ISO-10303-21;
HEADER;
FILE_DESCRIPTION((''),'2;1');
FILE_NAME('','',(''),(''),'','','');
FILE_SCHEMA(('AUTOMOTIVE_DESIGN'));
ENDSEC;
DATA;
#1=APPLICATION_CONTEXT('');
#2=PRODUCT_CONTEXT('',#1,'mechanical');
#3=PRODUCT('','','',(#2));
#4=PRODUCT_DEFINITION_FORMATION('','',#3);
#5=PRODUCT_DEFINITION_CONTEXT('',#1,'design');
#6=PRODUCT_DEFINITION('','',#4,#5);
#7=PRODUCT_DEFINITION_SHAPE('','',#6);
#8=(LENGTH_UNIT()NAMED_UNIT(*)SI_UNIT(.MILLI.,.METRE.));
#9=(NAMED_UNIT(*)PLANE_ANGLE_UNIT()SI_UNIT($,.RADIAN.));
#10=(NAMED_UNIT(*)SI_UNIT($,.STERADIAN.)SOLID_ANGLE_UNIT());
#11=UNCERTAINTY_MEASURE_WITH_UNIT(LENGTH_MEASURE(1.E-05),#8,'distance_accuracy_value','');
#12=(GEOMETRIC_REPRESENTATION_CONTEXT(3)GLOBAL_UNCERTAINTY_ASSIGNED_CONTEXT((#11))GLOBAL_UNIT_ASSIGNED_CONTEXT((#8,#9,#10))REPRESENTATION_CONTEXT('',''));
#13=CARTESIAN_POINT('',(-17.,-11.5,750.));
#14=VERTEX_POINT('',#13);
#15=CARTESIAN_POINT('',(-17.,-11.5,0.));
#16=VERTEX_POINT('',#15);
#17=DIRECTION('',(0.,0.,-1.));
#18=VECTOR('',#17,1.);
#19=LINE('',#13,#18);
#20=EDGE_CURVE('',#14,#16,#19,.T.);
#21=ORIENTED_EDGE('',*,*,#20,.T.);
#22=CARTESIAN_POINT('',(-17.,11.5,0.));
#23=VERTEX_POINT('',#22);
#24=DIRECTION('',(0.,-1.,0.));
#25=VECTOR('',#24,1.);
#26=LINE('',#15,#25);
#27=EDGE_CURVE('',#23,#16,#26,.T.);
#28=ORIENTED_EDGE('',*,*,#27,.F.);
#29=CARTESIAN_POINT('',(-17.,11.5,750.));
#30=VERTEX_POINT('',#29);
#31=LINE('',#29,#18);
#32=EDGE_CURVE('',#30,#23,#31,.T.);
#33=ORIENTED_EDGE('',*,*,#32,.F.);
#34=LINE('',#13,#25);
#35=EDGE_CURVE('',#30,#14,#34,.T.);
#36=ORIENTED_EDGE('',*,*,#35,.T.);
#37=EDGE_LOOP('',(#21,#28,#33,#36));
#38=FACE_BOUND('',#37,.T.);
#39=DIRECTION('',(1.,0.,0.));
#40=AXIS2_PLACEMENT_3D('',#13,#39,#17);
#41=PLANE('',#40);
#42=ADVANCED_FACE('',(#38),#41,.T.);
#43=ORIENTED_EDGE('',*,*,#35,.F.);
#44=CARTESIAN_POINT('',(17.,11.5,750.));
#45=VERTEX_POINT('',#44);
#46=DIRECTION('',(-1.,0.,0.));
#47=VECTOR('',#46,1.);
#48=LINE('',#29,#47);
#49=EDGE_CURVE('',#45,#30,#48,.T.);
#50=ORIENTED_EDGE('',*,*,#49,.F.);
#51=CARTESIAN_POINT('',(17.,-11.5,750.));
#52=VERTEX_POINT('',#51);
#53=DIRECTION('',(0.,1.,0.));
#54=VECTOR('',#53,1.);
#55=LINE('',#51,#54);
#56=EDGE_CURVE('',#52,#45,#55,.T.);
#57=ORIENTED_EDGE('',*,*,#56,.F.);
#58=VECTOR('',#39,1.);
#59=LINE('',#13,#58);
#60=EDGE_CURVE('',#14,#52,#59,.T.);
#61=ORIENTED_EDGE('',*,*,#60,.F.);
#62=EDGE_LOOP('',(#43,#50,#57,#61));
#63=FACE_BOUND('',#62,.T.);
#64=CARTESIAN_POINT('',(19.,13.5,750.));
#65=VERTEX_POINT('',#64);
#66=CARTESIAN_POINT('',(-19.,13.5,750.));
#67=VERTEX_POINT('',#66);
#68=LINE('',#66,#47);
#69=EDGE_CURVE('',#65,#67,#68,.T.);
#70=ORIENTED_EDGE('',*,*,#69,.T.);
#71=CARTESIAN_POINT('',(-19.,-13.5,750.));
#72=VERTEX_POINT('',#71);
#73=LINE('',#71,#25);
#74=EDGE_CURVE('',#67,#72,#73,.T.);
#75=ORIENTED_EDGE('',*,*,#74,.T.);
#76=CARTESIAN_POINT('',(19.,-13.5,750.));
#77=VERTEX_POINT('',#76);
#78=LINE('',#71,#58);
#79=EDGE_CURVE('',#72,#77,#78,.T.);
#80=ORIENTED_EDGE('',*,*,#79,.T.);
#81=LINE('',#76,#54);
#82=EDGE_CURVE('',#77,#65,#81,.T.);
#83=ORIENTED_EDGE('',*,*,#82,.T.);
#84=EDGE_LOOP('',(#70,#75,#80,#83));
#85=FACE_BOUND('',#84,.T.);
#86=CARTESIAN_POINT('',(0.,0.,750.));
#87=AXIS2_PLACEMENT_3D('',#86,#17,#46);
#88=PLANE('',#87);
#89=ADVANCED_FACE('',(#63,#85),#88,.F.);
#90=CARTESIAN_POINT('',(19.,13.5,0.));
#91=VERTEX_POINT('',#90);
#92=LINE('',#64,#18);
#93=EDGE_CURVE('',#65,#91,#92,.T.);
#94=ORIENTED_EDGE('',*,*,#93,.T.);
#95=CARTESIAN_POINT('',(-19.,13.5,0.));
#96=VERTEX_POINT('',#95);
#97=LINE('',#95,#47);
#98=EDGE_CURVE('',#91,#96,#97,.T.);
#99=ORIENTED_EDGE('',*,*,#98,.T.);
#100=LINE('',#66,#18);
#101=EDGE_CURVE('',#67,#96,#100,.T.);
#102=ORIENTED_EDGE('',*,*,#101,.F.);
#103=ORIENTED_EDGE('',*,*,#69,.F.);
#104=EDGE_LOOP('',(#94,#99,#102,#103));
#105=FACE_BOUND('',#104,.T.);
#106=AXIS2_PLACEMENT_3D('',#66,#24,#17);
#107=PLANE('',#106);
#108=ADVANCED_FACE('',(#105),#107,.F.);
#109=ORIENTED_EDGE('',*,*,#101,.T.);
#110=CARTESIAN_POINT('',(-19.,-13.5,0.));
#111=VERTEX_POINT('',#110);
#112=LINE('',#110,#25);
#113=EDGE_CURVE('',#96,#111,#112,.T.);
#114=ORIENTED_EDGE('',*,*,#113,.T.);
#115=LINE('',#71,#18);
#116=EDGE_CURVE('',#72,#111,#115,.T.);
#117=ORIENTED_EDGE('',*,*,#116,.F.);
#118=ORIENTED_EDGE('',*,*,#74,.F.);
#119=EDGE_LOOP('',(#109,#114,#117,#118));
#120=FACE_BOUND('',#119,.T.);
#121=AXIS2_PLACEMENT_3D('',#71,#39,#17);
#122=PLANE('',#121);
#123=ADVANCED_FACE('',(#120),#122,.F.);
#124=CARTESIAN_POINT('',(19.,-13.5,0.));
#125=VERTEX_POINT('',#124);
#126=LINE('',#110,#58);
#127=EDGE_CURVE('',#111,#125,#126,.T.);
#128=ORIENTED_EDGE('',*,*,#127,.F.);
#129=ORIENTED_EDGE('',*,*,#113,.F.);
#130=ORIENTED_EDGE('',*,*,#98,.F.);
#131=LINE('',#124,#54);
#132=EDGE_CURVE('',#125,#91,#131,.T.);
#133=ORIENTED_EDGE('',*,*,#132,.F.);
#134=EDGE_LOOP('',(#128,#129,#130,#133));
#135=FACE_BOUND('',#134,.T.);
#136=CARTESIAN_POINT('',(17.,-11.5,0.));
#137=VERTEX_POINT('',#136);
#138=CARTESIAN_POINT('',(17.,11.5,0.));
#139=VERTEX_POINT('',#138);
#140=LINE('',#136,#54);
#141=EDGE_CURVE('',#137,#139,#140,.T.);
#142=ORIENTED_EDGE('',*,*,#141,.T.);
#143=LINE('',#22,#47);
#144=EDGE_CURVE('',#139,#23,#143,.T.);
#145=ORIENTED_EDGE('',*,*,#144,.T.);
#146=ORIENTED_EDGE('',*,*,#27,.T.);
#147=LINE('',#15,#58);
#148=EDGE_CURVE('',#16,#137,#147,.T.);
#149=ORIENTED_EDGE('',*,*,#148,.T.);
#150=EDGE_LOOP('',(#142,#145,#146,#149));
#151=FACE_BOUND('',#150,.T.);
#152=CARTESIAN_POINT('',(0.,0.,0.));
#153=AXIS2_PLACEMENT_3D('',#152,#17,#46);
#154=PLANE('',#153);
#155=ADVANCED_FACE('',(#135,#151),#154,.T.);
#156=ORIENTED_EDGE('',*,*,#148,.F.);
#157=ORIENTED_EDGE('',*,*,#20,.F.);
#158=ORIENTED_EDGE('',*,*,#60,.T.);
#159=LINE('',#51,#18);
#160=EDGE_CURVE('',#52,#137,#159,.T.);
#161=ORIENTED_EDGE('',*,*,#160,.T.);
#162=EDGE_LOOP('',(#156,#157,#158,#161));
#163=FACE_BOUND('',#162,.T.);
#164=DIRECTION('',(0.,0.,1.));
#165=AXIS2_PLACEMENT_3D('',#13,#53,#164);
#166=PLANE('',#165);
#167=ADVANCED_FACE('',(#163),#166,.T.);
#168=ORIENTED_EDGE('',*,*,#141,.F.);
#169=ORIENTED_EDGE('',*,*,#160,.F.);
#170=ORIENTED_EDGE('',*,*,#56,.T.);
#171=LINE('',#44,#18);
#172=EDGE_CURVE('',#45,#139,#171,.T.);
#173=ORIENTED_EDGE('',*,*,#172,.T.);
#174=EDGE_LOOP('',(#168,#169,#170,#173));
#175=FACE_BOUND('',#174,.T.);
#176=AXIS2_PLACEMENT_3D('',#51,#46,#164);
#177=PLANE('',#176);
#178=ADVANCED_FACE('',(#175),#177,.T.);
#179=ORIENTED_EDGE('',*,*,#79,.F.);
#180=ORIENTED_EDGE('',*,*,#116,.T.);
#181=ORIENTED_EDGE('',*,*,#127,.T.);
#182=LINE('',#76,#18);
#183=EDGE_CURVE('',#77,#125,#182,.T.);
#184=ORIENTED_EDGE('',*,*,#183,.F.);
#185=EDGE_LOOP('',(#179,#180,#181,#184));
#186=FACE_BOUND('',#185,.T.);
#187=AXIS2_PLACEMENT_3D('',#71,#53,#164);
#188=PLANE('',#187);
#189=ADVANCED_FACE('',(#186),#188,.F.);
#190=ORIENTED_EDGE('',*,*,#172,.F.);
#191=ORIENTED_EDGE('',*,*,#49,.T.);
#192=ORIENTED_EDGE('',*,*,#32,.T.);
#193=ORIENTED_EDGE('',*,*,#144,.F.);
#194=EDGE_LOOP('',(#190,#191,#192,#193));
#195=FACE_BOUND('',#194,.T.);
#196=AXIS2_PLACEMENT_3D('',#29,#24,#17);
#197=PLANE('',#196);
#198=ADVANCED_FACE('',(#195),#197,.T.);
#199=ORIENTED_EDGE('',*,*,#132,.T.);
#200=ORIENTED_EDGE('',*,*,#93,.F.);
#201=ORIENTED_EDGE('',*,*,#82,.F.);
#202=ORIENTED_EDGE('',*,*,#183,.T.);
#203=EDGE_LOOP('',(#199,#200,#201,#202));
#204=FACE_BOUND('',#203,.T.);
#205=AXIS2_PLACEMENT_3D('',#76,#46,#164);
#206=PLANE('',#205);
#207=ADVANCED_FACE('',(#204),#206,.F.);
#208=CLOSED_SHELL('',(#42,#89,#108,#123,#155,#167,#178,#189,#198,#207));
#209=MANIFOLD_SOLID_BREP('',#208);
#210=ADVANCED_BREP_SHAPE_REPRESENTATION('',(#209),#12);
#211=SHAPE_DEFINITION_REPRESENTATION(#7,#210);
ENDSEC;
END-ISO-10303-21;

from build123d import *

# Parameters (mm, degrees)
SKETCH1_W           = 38
SKETCH1_H           = 27
SKETCH1_W_2         = 34
SKETCH1_H_2         = 23
BOSS_EXTRUDE1_DEPTH = 750


with BuildPart() as part:
    # Sketch1 → Boss-Extrude1 (new body)
    with BuildSketch(Plane.XY):
        Rectangle(SKETCH1_W, SKETCH1_H)
        Rectangle(SKETCH1_W_2, SKETCH1_H_2, mode=Mode.SUBTRACT)
    extrude(amount=BOSS_EXTRUDE1_DEPTH)


solid = part.part
